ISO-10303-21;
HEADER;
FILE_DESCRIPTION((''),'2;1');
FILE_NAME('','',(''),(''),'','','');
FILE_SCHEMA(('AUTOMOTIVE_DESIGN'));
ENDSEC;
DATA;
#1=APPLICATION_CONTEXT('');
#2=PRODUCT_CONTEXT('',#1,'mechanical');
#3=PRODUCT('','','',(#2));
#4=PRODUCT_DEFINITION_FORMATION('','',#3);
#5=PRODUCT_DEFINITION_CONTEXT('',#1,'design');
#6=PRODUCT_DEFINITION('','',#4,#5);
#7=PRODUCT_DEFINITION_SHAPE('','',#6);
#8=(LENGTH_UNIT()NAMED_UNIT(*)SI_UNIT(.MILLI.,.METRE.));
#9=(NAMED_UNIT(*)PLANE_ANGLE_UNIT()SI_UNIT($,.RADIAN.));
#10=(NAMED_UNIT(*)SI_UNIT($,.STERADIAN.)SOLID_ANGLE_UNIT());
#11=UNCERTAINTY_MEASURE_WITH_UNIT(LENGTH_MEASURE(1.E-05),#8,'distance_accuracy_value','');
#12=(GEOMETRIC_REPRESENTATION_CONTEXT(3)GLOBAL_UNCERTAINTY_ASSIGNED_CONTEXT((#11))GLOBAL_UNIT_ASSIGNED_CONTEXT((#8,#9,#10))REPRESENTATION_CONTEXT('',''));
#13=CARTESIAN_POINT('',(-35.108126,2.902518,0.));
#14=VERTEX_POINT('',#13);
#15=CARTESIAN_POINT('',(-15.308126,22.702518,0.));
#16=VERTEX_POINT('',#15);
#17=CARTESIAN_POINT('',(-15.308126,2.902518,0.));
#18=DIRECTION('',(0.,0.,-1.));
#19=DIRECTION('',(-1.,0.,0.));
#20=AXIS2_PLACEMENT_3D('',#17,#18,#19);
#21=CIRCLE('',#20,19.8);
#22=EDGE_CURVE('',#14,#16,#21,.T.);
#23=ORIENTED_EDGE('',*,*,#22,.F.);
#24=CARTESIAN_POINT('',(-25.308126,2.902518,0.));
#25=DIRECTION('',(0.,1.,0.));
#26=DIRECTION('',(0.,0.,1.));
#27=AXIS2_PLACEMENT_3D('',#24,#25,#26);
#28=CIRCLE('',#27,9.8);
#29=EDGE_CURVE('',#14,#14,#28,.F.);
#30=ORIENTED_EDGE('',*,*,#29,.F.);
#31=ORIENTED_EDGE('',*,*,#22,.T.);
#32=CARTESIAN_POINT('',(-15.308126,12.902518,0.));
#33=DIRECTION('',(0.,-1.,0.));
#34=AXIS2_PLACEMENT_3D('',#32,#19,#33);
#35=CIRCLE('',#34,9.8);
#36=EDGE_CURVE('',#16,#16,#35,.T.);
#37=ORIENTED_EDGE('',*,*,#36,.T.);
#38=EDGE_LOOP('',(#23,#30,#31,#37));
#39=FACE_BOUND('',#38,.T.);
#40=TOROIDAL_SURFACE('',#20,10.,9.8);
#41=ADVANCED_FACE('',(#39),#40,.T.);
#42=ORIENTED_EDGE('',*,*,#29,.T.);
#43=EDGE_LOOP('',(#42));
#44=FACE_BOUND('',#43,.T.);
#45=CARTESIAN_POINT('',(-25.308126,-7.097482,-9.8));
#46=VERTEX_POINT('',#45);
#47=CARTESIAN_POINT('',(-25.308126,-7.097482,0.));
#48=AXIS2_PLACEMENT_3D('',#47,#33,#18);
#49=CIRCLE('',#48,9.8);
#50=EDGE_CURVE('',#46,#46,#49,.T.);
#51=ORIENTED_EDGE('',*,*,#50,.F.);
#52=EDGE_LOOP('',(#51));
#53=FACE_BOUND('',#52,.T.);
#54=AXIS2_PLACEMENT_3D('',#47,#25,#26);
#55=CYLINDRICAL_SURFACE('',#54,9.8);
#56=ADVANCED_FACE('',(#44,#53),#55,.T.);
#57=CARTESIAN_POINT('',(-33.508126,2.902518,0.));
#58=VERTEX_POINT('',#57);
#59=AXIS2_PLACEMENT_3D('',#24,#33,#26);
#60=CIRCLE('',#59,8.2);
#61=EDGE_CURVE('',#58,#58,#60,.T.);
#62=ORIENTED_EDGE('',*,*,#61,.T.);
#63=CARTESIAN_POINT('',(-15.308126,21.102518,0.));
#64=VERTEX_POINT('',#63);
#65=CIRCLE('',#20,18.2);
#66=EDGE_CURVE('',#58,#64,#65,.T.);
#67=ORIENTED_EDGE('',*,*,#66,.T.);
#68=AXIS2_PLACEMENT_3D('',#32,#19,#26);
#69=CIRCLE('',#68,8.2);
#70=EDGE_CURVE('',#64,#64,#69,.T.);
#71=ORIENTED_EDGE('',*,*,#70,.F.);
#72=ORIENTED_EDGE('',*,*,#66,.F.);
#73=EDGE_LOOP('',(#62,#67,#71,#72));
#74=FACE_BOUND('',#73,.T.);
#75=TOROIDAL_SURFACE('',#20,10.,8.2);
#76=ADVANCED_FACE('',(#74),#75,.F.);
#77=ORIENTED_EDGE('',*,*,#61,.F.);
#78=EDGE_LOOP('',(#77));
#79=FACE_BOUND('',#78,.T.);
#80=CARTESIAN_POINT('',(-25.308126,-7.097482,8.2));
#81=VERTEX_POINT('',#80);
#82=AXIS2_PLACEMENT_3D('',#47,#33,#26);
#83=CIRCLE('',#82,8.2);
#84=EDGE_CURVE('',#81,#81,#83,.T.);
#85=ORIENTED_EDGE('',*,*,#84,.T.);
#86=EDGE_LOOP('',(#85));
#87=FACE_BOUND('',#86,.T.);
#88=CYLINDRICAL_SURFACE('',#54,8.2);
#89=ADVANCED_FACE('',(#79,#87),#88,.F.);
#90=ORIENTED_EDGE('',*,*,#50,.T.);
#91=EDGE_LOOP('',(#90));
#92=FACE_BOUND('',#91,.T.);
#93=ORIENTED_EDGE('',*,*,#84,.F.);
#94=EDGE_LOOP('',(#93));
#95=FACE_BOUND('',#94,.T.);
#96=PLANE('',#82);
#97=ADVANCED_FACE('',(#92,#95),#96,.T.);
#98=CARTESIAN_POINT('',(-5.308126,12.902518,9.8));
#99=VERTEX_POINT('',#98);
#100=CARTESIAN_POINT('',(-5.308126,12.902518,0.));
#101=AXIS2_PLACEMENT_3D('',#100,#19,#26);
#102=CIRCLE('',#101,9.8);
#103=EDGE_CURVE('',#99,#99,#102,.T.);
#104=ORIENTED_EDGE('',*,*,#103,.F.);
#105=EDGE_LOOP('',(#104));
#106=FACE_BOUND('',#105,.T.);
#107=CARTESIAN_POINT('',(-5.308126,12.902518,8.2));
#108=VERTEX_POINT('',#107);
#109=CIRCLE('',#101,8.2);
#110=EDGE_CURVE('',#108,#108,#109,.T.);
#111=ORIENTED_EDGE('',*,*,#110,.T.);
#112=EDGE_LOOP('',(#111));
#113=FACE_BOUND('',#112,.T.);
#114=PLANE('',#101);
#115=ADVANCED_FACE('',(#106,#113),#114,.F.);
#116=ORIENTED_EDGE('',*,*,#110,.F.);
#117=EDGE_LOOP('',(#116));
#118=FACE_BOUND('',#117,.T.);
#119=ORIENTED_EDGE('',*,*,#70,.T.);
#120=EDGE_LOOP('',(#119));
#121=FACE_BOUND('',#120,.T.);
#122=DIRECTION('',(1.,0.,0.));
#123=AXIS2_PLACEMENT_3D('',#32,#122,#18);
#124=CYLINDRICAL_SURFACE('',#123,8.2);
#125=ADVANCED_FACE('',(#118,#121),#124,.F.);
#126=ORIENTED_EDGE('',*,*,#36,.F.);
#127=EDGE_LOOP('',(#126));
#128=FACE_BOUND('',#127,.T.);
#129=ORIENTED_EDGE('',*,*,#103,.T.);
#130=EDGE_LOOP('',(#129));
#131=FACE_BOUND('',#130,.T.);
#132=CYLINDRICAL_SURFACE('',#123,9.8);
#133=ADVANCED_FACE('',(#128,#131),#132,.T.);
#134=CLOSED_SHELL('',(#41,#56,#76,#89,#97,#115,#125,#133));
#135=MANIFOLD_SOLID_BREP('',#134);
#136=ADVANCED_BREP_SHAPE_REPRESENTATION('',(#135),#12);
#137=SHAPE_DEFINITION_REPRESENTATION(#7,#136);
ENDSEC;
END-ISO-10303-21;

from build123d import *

# Parameters (mm, degrees)
SWEEP_THIN1_PROFILE_R   = 9.8
SWEEP_THIN1_PROFILE_R_2 = 8.2


with BuildPart() as part:
    # Sweep-Thin1: sweep along a path in Sketch1
    with BuildLine(Plane.XY) as sweep_thin1_path:
        Line((-25.308125816, -7.097481779), (-25.308125816, 2.902518221))
        ThreePointArc((-25.308125816, 2.902518221), (-22.379193628, 9.973586033), (-15.308125816, 12.902518221))
        Line((-15.308125816, 12.902518221), (-5.308125816, 12.902518221))
    # Sweep-Thin1 profile (on start of the path) → Sweep-Thin1 (sweep)
    with BuildSketch(Plane(origin=(-25.308125816, -7.097481779, 0), x_dir=(0, 0, 1), z_dir=(0, 1, 0))):
        Circle(SWEEP_THIN1_PROFILE_R)
        Circle(SWEEP_THIN1_PROFILE_R_2, mode=Mode.SUBTRACT)
    sweep(path=sweep_thin1_path.line)


solid = part.part
